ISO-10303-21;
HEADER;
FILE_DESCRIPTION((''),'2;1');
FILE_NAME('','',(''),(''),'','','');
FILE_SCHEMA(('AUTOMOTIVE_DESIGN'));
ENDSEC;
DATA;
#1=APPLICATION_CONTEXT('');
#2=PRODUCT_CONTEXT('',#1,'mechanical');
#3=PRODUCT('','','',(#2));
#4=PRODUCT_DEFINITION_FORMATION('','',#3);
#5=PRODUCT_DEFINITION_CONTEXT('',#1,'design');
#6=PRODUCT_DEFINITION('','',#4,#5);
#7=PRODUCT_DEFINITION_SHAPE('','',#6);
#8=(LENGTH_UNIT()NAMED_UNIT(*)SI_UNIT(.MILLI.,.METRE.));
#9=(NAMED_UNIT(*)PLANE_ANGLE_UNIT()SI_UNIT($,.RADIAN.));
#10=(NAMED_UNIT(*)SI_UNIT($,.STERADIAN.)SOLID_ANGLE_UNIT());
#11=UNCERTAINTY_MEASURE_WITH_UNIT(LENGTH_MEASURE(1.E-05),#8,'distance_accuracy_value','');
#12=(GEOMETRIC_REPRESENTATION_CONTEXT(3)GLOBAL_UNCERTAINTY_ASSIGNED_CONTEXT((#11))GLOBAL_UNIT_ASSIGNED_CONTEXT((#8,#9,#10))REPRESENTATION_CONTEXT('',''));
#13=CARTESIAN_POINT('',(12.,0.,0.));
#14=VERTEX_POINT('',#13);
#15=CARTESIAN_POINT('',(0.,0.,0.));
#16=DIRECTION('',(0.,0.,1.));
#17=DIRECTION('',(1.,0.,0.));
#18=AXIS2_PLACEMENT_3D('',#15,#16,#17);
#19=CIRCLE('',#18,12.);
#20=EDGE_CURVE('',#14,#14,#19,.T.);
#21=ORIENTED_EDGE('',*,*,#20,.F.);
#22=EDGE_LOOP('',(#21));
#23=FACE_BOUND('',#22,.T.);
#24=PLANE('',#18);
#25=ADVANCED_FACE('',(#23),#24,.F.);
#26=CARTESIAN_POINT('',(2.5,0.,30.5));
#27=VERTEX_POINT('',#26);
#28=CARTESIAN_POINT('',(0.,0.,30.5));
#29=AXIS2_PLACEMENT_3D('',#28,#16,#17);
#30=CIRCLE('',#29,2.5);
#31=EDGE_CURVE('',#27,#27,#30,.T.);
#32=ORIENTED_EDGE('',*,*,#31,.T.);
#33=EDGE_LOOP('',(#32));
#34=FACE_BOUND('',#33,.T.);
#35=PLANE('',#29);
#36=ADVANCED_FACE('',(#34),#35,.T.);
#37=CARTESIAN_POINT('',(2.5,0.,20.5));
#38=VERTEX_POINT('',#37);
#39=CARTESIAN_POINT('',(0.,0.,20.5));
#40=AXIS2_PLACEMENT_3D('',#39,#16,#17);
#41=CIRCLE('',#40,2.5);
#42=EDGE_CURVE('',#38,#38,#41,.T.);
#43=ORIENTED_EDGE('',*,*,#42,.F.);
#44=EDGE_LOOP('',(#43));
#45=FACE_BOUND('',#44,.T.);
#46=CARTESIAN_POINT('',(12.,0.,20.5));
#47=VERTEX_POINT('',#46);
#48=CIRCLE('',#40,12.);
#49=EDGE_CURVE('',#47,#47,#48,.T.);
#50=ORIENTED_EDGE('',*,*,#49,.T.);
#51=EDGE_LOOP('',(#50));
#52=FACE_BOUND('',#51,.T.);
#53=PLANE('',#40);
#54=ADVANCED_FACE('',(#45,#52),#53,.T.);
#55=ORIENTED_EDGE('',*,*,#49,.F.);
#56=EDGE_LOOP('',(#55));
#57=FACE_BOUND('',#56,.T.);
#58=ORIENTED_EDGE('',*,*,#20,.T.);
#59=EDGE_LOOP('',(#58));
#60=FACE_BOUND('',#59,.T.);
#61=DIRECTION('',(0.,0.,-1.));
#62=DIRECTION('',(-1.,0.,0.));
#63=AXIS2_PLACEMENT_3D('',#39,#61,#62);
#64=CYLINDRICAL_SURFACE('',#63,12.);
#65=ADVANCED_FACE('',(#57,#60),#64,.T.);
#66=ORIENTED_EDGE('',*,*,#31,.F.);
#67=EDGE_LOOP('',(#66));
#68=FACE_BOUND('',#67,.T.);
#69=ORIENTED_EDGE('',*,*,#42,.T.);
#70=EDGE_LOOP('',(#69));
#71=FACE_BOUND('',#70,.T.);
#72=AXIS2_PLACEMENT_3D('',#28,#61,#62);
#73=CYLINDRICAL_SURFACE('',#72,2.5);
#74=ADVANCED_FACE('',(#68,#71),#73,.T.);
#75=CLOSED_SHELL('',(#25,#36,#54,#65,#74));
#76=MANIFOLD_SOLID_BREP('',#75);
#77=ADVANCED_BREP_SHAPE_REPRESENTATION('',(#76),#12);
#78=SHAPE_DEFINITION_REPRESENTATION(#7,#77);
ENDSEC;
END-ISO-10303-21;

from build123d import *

# Parameters (mm, degrees)
ESQUISSE1_R        = 12
BOSS_EXTRU_1_DEPTH = 20.5
ESQUISSE2_R        = 2.5
BOSS_EXTRU_2_DEPTH = 10


with BuildPart() as part:
    # Esquisse1 → Boss.-Extru.1 (new body)
    with BuildSketch(Plane.XY):
        Circle(ESQUISSE1_R)
    extrude(amount=BOSS_EXTRU_1_DEPTH)

    # Esquisse2 → Boss.-Extru.2 (add)
    with BuildSketch(Plane.XY.offset(20.5)):
        Circle(ESQUISSE2_R)
    extrude(amount=BOSS_EXTRU_2_DEPTH)


solid = part.part
